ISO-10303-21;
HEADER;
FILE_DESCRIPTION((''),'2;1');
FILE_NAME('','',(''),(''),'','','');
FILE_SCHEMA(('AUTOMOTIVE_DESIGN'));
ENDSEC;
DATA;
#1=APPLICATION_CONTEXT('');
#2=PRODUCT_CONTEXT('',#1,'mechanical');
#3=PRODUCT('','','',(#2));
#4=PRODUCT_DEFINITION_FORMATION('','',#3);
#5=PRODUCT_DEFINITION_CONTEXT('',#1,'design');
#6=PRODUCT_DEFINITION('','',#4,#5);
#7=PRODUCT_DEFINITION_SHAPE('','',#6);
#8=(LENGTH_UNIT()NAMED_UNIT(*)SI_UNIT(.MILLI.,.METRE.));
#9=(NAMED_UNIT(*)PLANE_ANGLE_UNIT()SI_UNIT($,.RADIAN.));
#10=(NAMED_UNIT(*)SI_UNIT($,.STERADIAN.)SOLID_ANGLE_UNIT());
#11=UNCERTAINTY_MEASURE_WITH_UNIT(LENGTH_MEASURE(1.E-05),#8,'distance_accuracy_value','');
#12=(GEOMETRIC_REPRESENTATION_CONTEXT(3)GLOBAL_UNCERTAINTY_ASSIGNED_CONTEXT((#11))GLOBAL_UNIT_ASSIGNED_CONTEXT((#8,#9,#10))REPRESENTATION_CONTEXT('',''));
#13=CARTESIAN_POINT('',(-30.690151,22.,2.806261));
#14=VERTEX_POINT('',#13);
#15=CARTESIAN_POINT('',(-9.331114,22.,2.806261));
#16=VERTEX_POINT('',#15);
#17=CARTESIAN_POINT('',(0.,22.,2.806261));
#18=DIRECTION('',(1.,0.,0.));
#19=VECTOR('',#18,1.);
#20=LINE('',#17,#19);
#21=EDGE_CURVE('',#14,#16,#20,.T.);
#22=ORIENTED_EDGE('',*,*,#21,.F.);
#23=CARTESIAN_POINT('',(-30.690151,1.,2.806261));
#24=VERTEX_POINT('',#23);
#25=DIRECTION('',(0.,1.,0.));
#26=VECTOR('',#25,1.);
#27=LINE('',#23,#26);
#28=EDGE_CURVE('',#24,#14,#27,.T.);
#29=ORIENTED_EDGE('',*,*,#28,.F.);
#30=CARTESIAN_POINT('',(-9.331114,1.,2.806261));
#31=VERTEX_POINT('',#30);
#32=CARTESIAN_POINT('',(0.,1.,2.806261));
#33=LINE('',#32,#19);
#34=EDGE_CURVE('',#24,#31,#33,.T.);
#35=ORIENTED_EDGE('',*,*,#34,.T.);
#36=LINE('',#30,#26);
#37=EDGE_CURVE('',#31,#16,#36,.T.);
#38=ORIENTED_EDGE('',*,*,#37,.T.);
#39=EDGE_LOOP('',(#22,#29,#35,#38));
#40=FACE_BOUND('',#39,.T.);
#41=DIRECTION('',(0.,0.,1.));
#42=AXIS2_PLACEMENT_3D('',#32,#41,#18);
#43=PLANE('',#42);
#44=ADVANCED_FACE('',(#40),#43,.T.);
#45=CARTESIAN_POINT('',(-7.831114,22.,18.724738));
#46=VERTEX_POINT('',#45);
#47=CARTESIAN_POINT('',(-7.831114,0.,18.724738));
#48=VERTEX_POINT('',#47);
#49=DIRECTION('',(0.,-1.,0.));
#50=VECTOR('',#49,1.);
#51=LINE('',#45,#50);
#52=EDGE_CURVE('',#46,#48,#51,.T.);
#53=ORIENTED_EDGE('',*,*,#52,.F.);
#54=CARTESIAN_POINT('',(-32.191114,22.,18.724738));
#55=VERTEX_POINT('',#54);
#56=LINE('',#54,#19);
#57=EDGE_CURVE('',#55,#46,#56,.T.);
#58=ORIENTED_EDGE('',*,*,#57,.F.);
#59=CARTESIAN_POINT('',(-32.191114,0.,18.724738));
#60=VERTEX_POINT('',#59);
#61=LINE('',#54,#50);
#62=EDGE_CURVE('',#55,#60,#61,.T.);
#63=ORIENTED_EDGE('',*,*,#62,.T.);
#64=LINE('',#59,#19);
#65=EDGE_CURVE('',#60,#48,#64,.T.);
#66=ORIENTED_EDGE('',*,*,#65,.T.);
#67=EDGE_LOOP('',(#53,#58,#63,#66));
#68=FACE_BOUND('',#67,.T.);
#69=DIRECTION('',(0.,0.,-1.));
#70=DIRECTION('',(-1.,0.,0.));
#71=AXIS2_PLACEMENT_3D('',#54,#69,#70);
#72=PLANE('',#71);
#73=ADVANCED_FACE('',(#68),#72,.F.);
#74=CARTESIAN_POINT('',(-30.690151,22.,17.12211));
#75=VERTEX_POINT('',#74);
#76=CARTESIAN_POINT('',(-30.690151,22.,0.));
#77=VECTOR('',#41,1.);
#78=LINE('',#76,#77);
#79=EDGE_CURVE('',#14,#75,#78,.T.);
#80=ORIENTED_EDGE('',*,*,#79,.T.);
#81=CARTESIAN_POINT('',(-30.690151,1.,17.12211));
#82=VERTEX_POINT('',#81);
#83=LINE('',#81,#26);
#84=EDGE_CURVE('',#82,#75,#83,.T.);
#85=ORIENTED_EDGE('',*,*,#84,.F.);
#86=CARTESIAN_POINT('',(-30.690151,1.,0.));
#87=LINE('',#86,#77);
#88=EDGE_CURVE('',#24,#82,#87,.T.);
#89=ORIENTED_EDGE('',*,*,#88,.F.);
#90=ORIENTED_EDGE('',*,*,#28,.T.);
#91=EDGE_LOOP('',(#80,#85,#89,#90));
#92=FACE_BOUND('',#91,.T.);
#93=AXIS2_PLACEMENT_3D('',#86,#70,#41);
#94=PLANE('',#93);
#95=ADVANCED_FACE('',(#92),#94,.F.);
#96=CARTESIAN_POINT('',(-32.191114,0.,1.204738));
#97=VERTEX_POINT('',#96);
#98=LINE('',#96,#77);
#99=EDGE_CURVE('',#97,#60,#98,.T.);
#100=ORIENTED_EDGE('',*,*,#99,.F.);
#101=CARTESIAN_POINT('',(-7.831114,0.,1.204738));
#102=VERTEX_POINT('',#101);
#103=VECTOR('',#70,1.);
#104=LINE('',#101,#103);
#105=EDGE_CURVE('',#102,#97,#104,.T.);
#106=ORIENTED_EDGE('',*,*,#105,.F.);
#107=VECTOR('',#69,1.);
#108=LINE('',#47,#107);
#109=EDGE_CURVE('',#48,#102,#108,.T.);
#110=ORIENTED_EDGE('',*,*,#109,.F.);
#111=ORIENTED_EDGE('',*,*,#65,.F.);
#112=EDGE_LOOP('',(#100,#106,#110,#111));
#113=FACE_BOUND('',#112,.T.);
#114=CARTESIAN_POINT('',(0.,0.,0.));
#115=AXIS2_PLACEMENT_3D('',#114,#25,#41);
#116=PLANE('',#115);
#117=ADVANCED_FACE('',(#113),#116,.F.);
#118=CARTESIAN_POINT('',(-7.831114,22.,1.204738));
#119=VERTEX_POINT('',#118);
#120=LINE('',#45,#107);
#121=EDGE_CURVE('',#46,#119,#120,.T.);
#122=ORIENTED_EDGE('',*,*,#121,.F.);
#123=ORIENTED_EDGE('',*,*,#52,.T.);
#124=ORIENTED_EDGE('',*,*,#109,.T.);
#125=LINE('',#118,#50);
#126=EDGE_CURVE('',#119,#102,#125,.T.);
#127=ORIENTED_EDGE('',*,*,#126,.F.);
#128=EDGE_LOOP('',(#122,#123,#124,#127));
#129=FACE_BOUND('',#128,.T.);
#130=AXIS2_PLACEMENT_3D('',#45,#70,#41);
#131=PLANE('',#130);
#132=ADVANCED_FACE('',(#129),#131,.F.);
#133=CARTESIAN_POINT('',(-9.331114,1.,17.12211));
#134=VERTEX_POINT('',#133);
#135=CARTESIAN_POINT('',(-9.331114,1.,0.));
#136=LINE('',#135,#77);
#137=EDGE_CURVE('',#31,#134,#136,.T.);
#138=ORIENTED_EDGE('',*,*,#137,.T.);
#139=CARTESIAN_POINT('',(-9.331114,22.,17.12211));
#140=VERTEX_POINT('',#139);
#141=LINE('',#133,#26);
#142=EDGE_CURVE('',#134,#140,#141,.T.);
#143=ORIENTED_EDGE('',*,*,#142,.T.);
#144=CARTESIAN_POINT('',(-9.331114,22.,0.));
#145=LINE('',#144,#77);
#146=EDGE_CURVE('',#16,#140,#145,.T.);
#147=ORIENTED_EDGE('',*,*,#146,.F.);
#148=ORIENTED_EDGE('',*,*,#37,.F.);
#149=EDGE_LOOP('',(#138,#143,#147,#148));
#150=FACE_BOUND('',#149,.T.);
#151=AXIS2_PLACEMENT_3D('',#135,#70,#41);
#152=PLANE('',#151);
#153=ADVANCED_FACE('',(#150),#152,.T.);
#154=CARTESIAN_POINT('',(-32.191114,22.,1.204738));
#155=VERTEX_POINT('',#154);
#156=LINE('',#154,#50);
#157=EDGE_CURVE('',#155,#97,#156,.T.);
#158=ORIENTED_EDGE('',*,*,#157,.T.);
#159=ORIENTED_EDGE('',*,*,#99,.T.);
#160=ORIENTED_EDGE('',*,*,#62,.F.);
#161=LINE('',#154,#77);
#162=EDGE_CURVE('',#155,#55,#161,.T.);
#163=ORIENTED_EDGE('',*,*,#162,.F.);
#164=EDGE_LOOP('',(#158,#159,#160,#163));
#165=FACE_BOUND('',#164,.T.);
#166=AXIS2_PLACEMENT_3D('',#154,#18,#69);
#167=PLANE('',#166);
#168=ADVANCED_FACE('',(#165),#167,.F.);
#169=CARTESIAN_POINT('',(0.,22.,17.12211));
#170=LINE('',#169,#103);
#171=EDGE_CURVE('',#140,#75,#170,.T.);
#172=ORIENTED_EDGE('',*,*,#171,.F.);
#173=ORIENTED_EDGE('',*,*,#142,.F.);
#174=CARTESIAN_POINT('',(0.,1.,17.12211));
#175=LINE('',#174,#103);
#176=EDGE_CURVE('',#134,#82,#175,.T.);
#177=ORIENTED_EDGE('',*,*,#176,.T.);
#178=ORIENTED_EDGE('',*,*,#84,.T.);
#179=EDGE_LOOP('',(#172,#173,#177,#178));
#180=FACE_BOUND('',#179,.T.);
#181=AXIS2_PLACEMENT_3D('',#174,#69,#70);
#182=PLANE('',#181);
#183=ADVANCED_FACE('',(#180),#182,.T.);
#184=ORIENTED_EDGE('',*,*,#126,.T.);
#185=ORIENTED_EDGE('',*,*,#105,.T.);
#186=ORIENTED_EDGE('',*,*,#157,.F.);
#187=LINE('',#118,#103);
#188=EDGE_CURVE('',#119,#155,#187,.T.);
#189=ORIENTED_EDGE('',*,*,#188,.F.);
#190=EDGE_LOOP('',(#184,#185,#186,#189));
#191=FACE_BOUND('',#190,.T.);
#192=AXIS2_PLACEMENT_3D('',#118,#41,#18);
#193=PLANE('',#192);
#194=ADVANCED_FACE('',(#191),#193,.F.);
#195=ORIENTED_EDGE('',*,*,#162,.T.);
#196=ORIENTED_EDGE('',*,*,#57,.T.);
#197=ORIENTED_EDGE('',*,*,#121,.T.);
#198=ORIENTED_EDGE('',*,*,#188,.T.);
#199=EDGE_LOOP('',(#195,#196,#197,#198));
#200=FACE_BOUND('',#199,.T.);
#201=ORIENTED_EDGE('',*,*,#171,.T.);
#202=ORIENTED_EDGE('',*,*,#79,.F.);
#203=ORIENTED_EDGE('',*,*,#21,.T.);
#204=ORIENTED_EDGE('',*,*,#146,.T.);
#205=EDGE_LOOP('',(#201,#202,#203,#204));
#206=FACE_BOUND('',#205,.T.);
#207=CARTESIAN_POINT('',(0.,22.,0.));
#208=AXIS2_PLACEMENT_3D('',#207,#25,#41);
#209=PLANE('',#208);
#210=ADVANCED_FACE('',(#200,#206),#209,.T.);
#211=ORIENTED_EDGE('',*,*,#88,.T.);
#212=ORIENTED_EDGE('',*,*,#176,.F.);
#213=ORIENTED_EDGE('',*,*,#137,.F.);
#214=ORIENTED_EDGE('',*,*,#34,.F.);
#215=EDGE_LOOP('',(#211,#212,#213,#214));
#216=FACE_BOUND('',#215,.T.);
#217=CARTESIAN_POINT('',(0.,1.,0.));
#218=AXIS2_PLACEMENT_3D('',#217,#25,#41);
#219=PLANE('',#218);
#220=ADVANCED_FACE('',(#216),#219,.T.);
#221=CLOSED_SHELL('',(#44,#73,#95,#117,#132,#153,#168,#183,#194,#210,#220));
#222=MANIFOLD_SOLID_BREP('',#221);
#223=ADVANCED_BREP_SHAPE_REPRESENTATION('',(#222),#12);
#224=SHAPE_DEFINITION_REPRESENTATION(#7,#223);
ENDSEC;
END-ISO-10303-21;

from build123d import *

# Parameters (mm, degrees)
SKETCH1_W           = 24.36
SKETCH1_H           = 17.52
BOSS_EXTRUDE1_DEPTH = 22
SKETCH2_W           = 21.359036513
SKETCH2_H           = 14.315848523
CUT_EXTRUDE1_DEPTH  = 21


with BuildPart() as part:
    # Sketch1 → Boss-Extrude1 (new body)
    with BuildSketch(Plane(origin=(0, 0, 0), x_dir=(1, 0, 0), z_dir=(0, 1, 0))):
        with Locations((-20.011114184, -9.964738068)):
            Rectangle(SKETCH1_W, SKETCH1_H)
    extrude(amount=BOSS_EXTRUDE1_DEPTH)

    # Sketch2 → Cut-Extrude1 (cut)
    with BuildSketch(Plane(origin=(0, 22, 0), x_dir=(1, 0, 0), z_dir=(0, 1, 0))):
        with Locations((-20.010632441, -9.964185338)):
            Rectangle(SKETCH2_W, SKETCH2_H)
    extrude(amount=-CUT_EXTRUDE1_DEPTH, mode=Mode.SUBTRACT)


solid = part.part
